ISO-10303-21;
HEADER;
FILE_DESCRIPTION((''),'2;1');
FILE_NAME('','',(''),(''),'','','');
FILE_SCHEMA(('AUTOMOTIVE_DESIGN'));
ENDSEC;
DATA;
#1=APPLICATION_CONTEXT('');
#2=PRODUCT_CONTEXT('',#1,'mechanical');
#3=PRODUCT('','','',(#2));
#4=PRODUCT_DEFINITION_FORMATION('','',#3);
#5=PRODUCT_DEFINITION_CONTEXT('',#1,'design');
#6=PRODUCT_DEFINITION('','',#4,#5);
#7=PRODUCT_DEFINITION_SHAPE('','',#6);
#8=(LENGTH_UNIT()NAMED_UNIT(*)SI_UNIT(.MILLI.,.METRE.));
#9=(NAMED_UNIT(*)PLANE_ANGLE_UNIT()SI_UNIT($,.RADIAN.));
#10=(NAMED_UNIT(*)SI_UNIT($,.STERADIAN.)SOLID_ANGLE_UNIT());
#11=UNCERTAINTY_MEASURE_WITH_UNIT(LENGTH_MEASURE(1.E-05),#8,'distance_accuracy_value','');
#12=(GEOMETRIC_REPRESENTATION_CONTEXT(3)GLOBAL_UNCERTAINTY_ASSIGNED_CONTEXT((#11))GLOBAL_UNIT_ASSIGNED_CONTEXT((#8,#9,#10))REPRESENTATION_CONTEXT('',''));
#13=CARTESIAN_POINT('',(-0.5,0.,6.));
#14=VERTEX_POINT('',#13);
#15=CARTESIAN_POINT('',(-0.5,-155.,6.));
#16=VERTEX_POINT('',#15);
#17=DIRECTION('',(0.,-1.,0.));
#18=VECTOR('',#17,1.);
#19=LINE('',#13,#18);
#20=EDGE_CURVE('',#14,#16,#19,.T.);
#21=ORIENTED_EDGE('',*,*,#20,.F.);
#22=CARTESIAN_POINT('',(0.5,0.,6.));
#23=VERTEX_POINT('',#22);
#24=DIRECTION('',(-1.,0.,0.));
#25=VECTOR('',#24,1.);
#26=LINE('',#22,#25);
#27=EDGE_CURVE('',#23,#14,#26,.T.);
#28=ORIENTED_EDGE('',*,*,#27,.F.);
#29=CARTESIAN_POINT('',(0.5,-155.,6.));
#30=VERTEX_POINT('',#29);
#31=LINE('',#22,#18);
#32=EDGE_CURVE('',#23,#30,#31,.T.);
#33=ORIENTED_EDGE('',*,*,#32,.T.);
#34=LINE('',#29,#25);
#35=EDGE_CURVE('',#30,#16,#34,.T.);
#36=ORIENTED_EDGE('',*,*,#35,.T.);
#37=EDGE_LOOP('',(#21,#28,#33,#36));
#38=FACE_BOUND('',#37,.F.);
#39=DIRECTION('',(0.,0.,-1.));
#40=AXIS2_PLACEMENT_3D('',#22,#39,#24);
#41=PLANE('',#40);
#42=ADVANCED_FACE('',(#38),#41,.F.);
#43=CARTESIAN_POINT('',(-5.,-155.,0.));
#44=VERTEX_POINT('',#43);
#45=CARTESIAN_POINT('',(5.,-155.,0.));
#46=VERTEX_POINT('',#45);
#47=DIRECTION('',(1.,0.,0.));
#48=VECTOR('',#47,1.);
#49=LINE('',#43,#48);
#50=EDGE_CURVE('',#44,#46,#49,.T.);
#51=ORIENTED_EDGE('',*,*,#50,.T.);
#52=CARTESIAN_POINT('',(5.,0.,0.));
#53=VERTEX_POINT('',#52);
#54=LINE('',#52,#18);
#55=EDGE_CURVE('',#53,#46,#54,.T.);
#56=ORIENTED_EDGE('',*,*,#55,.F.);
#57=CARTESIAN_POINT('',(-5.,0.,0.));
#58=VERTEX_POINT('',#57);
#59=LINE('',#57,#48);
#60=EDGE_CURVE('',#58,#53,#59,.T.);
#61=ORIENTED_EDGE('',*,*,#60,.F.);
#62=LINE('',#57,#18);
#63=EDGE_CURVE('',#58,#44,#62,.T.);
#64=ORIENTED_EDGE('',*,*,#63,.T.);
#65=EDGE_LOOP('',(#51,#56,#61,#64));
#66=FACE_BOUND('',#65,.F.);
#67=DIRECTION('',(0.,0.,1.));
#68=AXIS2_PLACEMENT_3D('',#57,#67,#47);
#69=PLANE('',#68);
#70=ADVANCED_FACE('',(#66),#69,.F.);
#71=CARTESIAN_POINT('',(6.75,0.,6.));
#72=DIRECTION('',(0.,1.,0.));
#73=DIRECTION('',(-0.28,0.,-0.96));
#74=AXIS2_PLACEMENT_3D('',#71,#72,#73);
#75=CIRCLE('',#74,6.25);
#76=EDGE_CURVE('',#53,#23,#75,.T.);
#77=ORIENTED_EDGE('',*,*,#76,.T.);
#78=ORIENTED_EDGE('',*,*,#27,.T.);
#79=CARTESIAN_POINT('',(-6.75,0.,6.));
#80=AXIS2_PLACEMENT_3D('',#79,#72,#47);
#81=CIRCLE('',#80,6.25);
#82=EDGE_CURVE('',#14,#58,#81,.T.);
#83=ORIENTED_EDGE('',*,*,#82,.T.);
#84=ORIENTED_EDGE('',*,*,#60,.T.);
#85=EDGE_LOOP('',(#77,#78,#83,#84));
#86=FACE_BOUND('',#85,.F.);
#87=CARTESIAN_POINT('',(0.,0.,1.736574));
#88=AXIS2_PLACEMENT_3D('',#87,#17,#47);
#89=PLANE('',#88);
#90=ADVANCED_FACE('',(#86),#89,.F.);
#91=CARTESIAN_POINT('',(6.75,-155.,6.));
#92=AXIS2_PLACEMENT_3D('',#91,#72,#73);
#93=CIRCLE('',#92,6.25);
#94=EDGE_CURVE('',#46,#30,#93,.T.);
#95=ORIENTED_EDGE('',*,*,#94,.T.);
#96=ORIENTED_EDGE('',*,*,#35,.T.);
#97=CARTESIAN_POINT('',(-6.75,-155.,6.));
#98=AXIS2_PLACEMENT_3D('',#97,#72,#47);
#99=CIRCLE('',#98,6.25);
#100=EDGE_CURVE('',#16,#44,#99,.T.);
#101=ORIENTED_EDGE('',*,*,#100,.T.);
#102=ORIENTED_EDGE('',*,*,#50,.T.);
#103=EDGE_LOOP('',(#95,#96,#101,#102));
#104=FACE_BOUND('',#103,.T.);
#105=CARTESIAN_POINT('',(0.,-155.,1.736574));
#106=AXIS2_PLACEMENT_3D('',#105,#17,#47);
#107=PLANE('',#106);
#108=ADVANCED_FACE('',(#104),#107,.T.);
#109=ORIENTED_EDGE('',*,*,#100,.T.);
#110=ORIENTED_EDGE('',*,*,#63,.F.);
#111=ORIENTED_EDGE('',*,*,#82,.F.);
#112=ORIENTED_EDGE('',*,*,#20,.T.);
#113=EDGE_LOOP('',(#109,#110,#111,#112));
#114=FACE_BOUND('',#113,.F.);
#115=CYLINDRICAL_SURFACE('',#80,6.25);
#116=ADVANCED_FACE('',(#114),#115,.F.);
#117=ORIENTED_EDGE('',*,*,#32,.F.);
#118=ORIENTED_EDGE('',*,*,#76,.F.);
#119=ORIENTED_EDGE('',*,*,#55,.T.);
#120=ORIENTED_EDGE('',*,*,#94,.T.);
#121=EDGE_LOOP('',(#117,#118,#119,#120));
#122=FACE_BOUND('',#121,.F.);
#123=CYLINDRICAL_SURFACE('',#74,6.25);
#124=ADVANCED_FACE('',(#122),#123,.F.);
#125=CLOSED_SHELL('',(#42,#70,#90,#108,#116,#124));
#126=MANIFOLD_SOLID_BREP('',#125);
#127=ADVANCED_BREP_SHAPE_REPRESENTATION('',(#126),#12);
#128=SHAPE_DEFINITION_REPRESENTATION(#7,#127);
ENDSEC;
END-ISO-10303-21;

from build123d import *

# Parameters (mm, degrees)
F1_DEPTH = 155


with BuildPart() as f1:
    # F0 (on Front) → F1 (new body)
    with BuildSketch(Plane.XZ):
        with BuildLine():
            ThreePointArc((5, 0), (1.75, 2.25), (0.5, 6))
            Line((0.5, 6), (0, 6))
            Line((0, 6), (-0.5, 6))
            ThreePointArc((-0.5, 6), (-1.75, 2.25), (-5, 0))
            Line((-5, 0), (0, 0))
            Line((0, 0), (5, 0))
        make_face()
    extrude(amount=F1_DEPTH)


solid = f1.part
